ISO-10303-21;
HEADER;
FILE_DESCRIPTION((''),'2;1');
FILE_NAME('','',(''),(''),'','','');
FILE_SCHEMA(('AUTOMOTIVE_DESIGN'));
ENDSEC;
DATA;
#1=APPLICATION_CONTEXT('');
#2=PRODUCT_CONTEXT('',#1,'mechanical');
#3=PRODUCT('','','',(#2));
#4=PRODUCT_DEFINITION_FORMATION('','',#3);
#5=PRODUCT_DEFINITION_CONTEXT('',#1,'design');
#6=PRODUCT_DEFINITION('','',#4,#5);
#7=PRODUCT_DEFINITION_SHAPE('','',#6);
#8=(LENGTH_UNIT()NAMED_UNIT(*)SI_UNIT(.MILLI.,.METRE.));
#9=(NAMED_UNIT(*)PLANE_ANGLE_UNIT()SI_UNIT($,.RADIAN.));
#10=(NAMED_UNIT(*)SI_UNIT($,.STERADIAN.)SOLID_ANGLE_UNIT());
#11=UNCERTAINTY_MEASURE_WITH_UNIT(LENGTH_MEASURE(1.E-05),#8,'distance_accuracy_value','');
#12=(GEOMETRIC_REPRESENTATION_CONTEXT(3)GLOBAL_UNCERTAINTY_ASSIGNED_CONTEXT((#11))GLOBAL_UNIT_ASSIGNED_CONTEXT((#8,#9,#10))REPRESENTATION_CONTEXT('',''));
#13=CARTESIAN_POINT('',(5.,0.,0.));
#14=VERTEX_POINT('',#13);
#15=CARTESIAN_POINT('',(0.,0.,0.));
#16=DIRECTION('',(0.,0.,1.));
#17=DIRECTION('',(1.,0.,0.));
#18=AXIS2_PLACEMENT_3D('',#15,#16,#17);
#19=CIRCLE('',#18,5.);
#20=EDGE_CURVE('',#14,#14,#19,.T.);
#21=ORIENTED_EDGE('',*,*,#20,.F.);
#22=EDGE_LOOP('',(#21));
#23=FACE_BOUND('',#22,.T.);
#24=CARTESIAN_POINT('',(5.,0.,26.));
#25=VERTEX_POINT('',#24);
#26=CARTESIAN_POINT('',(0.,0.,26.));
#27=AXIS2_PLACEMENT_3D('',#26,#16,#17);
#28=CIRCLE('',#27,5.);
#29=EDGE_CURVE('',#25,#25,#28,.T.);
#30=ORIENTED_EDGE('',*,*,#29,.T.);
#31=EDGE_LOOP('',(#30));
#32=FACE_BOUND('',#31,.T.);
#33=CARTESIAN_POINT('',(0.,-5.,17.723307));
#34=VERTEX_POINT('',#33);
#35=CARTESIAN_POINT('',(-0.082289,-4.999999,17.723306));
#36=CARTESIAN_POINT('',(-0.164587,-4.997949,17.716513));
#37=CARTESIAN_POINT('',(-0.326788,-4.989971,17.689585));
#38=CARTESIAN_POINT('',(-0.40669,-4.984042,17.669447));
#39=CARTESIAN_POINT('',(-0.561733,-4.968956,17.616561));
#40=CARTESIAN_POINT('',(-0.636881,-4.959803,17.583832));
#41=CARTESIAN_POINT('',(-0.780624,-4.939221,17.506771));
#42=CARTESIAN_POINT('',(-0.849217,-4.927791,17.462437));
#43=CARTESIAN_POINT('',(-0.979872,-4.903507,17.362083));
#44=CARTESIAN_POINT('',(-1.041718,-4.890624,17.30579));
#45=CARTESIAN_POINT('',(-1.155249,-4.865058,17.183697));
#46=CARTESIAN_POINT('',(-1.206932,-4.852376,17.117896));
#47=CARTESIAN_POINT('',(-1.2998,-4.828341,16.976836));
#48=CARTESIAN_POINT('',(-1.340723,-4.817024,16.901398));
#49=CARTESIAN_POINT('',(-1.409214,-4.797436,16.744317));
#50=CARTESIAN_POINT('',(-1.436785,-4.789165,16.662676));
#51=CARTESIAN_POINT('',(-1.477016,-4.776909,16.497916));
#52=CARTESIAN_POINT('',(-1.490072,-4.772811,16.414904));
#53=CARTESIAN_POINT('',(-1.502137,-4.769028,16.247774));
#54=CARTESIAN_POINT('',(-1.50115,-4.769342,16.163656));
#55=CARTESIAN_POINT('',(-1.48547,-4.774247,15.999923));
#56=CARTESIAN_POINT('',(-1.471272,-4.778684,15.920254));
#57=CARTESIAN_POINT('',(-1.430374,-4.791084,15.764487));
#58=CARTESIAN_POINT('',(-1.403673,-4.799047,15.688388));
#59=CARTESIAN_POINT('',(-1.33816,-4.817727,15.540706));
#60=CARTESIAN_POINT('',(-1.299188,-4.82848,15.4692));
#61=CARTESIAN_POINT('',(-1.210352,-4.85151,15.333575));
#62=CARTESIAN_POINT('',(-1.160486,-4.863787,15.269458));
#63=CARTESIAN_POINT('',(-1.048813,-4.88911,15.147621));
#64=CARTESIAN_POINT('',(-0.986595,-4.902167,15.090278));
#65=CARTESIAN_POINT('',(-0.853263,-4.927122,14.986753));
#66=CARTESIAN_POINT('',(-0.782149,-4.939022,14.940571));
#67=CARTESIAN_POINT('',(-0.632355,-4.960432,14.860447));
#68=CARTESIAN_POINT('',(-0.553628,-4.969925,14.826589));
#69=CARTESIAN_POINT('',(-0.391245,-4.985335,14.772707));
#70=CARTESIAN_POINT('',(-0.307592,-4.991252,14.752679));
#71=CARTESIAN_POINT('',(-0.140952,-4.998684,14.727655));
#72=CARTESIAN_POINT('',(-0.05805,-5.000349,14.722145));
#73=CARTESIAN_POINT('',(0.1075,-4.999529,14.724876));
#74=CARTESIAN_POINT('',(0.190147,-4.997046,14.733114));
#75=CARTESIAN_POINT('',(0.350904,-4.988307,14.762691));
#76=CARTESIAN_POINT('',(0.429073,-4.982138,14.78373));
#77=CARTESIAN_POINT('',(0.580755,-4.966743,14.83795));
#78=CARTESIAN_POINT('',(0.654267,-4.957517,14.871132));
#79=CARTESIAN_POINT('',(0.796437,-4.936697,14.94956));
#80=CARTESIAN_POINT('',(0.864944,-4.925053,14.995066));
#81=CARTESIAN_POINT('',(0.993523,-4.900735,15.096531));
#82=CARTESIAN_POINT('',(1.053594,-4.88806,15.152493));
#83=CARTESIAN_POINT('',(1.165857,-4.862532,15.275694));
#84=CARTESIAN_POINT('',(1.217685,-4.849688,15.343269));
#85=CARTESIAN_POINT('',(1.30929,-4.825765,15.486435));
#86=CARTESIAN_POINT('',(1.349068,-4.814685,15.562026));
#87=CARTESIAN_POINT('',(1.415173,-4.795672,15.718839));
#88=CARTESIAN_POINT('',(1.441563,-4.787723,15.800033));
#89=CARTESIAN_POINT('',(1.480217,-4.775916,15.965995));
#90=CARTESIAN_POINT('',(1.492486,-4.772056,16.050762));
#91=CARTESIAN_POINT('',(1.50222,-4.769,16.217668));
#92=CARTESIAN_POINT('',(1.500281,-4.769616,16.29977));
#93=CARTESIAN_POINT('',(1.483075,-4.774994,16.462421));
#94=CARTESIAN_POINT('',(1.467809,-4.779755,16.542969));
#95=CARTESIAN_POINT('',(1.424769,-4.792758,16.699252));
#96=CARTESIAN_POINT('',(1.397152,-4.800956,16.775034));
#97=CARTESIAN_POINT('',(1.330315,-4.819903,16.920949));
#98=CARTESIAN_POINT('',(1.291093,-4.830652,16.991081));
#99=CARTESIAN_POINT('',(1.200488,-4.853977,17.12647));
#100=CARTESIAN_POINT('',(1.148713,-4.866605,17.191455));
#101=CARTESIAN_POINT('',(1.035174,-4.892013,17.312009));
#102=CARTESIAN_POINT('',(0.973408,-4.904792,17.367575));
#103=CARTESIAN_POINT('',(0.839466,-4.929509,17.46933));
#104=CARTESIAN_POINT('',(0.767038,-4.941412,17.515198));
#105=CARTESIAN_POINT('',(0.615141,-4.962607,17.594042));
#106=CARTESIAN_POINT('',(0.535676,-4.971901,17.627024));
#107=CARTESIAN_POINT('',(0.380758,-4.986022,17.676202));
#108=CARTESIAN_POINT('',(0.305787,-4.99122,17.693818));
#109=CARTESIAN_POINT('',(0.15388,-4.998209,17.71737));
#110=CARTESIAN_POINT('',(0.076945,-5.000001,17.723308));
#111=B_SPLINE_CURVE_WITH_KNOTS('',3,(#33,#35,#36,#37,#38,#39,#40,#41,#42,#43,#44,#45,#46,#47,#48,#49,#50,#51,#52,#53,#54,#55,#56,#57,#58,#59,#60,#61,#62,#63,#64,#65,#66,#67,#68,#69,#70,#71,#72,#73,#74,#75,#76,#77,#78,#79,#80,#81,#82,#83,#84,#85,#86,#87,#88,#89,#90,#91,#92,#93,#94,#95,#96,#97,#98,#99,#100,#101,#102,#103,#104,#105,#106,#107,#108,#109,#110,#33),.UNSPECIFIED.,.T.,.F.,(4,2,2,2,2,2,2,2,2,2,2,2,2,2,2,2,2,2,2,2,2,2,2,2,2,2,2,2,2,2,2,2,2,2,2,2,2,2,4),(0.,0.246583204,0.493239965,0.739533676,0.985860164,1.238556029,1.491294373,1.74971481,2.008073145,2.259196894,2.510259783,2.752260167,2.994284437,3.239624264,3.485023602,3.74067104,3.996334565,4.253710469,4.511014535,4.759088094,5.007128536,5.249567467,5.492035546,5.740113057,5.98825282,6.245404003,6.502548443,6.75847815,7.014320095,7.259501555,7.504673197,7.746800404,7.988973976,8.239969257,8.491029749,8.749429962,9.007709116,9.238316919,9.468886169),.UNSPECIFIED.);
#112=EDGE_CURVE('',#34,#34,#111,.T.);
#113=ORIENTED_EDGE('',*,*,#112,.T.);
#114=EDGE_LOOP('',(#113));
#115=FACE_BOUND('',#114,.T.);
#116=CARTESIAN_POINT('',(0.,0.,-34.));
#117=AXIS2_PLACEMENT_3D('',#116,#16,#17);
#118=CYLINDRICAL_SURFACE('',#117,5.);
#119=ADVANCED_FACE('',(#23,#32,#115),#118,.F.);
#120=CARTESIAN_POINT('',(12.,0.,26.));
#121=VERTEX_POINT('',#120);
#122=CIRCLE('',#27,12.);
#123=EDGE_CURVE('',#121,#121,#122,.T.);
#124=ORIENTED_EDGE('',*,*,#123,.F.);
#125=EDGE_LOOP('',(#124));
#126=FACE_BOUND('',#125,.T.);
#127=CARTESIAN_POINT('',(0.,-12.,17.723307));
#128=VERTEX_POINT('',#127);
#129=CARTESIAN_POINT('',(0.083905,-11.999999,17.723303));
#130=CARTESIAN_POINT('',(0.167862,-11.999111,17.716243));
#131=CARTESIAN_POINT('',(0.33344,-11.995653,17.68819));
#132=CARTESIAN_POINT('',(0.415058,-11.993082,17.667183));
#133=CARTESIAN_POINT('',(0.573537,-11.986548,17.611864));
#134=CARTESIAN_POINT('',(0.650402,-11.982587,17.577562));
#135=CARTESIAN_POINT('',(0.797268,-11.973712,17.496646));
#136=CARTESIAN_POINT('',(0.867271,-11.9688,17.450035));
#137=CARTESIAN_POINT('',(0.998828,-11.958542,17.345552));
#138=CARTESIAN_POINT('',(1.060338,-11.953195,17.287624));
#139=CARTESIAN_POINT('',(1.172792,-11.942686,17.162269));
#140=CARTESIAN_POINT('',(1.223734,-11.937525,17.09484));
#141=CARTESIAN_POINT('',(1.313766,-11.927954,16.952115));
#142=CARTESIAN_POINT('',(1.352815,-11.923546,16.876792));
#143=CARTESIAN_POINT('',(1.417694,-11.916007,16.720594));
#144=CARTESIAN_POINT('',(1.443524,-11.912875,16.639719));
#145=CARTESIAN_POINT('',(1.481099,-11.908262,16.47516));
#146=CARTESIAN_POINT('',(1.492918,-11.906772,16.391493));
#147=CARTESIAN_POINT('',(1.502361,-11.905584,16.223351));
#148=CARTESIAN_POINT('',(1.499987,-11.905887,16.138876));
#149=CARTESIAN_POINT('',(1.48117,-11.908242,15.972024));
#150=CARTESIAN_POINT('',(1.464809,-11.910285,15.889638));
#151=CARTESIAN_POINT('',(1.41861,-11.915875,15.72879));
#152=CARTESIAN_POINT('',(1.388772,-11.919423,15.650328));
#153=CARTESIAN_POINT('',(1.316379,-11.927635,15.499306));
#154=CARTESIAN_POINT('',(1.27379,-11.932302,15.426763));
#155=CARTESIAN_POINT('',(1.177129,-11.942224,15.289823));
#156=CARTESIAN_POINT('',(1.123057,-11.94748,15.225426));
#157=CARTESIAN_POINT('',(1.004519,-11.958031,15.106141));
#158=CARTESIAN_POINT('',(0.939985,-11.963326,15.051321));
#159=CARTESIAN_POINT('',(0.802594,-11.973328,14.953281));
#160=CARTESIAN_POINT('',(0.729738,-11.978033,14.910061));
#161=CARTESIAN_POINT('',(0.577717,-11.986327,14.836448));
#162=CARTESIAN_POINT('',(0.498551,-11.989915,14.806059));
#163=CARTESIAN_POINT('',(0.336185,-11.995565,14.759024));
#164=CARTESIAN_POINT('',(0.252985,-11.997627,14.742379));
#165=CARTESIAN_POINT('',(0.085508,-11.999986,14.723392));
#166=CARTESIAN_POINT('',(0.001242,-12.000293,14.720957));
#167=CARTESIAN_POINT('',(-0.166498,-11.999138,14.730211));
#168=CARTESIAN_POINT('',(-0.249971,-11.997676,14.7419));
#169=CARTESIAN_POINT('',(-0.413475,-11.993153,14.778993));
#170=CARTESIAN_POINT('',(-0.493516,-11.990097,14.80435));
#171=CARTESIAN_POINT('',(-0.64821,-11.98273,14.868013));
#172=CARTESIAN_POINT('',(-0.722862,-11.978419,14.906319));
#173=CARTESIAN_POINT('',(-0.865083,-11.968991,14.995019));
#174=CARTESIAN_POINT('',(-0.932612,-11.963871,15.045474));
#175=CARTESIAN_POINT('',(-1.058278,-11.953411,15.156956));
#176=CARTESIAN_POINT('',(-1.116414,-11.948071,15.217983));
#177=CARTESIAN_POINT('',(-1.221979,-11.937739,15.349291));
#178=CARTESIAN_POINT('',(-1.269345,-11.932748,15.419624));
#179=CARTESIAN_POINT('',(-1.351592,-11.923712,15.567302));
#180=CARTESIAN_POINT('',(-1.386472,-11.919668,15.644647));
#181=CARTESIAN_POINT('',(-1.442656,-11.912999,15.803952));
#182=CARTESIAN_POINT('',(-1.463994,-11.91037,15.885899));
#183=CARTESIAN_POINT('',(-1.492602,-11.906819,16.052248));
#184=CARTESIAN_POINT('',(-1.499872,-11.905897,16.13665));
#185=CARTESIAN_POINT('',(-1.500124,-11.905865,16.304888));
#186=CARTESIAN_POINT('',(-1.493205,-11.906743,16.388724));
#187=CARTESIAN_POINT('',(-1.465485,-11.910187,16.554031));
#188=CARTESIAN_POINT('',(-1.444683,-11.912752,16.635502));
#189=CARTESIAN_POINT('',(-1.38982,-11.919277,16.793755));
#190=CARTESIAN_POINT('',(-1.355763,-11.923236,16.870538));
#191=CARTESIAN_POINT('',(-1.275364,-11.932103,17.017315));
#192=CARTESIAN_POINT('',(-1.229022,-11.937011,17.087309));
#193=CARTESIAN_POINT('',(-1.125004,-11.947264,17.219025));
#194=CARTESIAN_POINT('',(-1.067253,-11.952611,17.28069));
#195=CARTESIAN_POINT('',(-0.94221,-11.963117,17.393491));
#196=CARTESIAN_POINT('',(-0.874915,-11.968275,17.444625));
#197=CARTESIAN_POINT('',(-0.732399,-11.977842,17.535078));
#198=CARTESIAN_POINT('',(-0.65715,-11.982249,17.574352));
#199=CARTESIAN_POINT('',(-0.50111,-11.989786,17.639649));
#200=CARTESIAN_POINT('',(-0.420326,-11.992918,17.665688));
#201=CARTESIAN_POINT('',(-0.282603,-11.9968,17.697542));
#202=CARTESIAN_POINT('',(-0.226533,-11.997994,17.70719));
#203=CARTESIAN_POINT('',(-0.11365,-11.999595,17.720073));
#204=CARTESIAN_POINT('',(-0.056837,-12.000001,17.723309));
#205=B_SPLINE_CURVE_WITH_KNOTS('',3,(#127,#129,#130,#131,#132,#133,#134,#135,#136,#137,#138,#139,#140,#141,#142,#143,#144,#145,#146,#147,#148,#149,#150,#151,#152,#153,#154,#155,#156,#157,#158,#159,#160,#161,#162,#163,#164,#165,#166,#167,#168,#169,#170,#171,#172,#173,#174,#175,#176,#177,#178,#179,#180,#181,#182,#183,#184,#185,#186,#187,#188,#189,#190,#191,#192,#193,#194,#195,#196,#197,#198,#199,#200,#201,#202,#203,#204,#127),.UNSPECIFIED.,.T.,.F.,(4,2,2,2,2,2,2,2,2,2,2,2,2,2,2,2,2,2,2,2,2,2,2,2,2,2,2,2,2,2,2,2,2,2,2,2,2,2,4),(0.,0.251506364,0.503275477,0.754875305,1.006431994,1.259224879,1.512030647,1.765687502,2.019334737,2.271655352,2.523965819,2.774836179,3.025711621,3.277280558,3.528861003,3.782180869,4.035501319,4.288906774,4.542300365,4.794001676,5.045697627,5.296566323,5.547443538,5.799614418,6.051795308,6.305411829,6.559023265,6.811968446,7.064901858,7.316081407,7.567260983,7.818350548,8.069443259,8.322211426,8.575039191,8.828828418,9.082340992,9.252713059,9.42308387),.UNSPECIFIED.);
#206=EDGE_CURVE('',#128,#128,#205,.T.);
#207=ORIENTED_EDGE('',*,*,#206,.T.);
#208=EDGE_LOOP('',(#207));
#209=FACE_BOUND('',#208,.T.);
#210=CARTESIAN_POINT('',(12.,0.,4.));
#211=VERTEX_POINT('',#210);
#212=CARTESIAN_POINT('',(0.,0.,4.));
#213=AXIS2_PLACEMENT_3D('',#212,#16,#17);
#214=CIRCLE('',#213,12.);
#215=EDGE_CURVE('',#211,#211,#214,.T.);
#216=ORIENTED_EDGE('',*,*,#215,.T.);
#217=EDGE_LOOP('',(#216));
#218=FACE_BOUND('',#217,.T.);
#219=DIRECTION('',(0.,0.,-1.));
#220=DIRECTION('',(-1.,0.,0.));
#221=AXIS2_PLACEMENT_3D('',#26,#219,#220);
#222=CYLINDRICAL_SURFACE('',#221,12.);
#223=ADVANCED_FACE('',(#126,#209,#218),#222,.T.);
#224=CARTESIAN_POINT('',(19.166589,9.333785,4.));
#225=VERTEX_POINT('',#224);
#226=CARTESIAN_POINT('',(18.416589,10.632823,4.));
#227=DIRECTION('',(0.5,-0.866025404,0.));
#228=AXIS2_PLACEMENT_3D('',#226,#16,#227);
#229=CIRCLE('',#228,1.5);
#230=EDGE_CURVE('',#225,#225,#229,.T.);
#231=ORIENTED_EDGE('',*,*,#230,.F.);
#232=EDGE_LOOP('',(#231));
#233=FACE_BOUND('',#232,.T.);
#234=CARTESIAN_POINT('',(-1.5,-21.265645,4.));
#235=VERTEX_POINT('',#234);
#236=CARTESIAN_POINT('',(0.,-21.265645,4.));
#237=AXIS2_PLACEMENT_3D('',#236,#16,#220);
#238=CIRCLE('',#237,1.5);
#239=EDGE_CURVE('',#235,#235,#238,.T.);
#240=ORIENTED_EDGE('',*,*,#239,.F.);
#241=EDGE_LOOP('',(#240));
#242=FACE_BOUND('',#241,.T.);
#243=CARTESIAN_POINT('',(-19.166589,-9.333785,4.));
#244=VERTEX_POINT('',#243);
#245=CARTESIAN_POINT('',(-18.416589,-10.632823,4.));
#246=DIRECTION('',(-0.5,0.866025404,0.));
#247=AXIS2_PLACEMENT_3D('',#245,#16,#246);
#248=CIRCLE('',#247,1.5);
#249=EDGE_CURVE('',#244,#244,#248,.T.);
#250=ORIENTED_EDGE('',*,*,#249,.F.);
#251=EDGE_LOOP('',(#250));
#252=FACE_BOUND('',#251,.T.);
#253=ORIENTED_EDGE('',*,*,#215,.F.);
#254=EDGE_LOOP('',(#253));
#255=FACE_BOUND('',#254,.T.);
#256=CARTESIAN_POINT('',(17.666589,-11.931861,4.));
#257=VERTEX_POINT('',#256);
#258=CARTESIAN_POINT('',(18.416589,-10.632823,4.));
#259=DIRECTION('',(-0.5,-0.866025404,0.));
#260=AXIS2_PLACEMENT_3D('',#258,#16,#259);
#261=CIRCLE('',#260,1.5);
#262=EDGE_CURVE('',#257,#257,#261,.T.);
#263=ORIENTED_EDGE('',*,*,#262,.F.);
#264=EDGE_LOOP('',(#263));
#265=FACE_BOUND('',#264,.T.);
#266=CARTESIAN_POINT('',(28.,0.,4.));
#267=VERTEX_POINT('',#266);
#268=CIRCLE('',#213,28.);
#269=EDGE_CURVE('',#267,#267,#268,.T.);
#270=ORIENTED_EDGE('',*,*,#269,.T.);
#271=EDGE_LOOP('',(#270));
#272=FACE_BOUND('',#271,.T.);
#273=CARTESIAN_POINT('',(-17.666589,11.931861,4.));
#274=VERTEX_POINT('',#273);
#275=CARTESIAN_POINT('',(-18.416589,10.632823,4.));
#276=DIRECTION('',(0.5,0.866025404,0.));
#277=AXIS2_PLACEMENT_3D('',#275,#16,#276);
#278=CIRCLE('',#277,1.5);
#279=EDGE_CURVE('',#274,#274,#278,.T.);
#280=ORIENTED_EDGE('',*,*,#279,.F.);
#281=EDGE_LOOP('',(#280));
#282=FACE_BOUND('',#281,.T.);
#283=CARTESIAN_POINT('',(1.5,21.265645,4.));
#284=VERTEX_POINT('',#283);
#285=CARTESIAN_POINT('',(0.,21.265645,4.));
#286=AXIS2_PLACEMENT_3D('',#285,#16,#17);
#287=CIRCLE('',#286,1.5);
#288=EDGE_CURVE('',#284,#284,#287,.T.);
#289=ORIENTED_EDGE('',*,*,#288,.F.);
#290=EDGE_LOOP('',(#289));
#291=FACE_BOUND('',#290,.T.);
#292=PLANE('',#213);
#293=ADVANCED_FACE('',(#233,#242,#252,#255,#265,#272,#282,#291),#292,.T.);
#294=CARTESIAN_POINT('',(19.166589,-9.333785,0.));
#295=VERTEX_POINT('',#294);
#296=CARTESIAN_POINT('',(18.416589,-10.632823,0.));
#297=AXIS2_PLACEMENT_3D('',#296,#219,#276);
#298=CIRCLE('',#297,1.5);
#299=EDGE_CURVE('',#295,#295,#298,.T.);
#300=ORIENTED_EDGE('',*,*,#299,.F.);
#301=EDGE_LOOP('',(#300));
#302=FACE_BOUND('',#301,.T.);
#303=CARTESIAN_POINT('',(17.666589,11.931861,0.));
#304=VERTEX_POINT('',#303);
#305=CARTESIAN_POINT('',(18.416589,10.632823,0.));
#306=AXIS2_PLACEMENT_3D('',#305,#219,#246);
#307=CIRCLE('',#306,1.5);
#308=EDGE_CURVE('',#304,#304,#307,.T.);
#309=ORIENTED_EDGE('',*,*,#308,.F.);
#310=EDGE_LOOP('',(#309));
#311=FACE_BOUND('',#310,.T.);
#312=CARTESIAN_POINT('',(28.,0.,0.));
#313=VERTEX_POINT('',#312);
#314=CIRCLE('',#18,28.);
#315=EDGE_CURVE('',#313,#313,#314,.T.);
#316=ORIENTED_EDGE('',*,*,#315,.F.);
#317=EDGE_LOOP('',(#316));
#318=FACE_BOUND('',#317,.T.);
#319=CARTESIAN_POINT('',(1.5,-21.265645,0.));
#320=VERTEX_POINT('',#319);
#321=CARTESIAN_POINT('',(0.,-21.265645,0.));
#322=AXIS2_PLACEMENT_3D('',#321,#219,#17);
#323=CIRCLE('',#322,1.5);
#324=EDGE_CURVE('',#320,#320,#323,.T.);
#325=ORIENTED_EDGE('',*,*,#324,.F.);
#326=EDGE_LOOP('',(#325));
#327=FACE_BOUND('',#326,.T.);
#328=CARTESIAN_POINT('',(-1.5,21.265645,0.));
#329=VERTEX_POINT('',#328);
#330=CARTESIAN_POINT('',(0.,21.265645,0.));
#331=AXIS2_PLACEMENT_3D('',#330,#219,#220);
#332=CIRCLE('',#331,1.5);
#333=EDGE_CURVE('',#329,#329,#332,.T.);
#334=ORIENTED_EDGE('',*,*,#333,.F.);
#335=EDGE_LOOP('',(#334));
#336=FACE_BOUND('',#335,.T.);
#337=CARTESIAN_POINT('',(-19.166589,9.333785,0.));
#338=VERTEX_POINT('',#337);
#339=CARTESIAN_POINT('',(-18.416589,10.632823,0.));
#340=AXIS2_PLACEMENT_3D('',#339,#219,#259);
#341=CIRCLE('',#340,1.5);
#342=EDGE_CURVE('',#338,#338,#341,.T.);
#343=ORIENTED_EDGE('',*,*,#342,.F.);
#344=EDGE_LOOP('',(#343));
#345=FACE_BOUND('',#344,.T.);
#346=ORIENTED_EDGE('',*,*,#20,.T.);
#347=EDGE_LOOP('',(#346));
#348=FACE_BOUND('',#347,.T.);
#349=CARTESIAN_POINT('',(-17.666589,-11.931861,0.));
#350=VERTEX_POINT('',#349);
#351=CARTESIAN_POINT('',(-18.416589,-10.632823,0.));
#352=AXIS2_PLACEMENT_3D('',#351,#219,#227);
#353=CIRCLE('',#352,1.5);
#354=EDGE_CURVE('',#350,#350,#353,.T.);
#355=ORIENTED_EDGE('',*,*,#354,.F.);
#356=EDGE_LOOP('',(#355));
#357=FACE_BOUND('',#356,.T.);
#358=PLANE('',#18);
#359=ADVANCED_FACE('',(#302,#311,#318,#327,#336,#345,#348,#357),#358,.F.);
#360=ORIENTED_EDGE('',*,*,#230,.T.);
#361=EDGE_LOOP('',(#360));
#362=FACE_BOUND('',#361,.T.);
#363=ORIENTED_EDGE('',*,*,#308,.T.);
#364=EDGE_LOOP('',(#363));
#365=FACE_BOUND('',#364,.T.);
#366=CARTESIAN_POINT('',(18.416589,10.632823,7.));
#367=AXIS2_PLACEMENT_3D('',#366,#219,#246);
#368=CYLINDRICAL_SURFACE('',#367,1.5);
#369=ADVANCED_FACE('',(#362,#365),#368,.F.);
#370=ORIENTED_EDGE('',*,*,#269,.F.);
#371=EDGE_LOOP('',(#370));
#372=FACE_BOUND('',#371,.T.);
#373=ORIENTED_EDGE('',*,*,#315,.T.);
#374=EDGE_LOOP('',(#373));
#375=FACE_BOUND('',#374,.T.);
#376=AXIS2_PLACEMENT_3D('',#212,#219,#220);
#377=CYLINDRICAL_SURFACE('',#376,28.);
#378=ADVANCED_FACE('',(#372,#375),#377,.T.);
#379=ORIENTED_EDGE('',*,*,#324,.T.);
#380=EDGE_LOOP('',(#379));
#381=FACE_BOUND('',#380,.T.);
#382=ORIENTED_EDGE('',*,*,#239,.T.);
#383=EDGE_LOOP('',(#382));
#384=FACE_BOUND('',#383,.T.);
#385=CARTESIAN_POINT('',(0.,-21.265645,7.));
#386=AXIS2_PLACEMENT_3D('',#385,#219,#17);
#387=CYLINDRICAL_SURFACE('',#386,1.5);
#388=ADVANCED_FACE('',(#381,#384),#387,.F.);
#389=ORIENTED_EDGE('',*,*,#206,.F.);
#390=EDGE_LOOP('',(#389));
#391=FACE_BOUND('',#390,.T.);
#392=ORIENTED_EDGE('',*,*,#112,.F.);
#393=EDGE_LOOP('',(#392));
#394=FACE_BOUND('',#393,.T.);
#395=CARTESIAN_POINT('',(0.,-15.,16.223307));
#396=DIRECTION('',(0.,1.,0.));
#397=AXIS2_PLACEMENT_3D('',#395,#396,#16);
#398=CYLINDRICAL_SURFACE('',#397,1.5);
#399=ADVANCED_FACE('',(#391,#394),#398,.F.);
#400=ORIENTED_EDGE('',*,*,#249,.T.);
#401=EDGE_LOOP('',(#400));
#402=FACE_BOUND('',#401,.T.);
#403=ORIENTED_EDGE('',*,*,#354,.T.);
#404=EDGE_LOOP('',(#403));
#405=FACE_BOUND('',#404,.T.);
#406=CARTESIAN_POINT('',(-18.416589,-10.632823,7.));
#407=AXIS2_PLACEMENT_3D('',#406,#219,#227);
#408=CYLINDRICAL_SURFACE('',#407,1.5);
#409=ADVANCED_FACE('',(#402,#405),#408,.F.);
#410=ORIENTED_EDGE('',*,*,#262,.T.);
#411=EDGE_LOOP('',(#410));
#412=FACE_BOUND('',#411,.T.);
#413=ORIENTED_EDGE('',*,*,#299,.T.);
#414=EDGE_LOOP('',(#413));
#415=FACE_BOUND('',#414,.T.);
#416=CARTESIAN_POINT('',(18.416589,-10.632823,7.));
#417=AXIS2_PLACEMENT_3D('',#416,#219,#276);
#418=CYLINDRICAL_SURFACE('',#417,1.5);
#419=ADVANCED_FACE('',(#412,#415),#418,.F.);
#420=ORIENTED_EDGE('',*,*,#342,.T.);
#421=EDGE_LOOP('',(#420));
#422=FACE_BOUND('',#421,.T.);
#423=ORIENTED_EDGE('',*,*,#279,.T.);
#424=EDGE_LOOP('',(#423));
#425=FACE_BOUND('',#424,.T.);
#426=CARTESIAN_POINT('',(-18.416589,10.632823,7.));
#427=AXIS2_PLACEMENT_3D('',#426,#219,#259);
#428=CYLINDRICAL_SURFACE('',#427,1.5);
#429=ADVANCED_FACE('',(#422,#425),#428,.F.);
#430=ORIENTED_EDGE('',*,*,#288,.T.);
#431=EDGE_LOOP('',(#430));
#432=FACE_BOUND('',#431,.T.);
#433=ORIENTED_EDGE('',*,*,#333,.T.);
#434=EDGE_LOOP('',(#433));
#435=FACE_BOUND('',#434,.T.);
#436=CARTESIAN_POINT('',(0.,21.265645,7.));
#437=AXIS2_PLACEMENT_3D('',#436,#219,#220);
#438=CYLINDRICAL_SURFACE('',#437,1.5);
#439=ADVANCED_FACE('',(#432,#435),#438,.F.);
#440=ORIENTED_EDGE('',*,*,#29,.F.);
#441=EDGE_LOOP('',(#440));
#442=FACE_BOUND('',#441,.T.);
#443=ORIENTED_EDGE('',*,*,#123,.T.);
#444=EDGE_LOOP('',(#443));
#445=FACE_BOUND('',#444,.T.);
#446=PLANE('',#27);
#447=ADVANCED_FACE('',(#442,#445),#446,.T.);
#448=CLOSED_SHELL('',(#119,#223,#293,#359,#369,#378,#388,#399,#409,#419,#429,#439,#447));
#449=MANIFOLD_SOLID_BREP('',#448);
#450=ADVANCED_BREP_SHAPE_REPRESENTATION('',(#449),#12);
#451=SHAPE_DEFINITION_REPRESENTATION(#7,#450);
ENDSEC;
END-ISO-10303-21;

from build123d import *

# Parameters (mm, degrees)
SKETCH_1_R               = 28
EXTRUDE_1_DEPTH          = 4
SKETCH_2_R               = 12
EXTRUDE_2_DEPTH          = 22
SKETCH_3_R               = 5
CUT_EXTRUDE_1_DEPTH      = 60
SKETCH_4_R               = 1.5
CUT_EXTRUDE_2_DEPTH      = 7
PATTERN_CIRCULAR_1_COUNT = 6
SKETCH_5_R               = 1.5
CUT_EXTRUDE_3_DEPTH      = 15


with BuildPart() as part:
    # 草图1 → 凸台-拉伸1 (new body)
    with BuildSketch(Plane.XY):
        Circle(SKETCH_1_R)
    extrude(amount=EXTRUDE_1_DEPTH)

    # 草图2 → 凸台-拉伸2 (add)
    with BuildSketch(Plane.XY.offset(4)):
        Circle(SKETCH_2_R)
    extrude(amount=EXTRUDE_2_DEPTH)

    # 草图3 → 切除-拉伸1 (cut)
    with BuildSketch(Plane.XY.offset(26)):
        Circle(SKETCH_3_R)
    extrude(amount=-CUT_EXTRUDE_1_DEPTH, mode=Mode.SUBTRACT)

    # 草图4 → 切除-拉伸2 (cut)
    with BuildSketch(Plane(origin=(0, 0, 0), x_dir=(-1, 0, 0), z_dir=(0, 0, -1))):
        with Locations((0, 21.265645264)):
            Circle(SKETCH_4_R)
    cut_extrude_2 = extrude(amount=-CUT_EXTRUDE_2_DEPTH, mode=Mode.SUBTRACT)

    # 阵列(圆周)1: 切除-拉伸2 ×6 about axis
    pattern_circular_1_axis = Axis((0, 0, -1.3), (0, 0, 1))
    for i in range(1, PATTERN_CIRCULAR_1_COUNT):
        add(cut_extrude_2.rotate(pattern_circular_1_axis, i * 360 / PATTERN_CIRCULAR_1_COUNT), mode=Mode.SUBTRACT)

    # 草图5 → 切除-拉伸3 (cut)
    with BuildSketch(Plane(origin=(0, 0, 0), x_dir=(1, 0, 0), z_dir=(0, 1, 0))):
        with Locations((0, -16.223306721)):
            Circle(SKETCH_5_R)
    extrude(amount=-CUT_EXTRUDE_3_DEPTH, mode=Mode.SUBTRACT)


solid = part.part
